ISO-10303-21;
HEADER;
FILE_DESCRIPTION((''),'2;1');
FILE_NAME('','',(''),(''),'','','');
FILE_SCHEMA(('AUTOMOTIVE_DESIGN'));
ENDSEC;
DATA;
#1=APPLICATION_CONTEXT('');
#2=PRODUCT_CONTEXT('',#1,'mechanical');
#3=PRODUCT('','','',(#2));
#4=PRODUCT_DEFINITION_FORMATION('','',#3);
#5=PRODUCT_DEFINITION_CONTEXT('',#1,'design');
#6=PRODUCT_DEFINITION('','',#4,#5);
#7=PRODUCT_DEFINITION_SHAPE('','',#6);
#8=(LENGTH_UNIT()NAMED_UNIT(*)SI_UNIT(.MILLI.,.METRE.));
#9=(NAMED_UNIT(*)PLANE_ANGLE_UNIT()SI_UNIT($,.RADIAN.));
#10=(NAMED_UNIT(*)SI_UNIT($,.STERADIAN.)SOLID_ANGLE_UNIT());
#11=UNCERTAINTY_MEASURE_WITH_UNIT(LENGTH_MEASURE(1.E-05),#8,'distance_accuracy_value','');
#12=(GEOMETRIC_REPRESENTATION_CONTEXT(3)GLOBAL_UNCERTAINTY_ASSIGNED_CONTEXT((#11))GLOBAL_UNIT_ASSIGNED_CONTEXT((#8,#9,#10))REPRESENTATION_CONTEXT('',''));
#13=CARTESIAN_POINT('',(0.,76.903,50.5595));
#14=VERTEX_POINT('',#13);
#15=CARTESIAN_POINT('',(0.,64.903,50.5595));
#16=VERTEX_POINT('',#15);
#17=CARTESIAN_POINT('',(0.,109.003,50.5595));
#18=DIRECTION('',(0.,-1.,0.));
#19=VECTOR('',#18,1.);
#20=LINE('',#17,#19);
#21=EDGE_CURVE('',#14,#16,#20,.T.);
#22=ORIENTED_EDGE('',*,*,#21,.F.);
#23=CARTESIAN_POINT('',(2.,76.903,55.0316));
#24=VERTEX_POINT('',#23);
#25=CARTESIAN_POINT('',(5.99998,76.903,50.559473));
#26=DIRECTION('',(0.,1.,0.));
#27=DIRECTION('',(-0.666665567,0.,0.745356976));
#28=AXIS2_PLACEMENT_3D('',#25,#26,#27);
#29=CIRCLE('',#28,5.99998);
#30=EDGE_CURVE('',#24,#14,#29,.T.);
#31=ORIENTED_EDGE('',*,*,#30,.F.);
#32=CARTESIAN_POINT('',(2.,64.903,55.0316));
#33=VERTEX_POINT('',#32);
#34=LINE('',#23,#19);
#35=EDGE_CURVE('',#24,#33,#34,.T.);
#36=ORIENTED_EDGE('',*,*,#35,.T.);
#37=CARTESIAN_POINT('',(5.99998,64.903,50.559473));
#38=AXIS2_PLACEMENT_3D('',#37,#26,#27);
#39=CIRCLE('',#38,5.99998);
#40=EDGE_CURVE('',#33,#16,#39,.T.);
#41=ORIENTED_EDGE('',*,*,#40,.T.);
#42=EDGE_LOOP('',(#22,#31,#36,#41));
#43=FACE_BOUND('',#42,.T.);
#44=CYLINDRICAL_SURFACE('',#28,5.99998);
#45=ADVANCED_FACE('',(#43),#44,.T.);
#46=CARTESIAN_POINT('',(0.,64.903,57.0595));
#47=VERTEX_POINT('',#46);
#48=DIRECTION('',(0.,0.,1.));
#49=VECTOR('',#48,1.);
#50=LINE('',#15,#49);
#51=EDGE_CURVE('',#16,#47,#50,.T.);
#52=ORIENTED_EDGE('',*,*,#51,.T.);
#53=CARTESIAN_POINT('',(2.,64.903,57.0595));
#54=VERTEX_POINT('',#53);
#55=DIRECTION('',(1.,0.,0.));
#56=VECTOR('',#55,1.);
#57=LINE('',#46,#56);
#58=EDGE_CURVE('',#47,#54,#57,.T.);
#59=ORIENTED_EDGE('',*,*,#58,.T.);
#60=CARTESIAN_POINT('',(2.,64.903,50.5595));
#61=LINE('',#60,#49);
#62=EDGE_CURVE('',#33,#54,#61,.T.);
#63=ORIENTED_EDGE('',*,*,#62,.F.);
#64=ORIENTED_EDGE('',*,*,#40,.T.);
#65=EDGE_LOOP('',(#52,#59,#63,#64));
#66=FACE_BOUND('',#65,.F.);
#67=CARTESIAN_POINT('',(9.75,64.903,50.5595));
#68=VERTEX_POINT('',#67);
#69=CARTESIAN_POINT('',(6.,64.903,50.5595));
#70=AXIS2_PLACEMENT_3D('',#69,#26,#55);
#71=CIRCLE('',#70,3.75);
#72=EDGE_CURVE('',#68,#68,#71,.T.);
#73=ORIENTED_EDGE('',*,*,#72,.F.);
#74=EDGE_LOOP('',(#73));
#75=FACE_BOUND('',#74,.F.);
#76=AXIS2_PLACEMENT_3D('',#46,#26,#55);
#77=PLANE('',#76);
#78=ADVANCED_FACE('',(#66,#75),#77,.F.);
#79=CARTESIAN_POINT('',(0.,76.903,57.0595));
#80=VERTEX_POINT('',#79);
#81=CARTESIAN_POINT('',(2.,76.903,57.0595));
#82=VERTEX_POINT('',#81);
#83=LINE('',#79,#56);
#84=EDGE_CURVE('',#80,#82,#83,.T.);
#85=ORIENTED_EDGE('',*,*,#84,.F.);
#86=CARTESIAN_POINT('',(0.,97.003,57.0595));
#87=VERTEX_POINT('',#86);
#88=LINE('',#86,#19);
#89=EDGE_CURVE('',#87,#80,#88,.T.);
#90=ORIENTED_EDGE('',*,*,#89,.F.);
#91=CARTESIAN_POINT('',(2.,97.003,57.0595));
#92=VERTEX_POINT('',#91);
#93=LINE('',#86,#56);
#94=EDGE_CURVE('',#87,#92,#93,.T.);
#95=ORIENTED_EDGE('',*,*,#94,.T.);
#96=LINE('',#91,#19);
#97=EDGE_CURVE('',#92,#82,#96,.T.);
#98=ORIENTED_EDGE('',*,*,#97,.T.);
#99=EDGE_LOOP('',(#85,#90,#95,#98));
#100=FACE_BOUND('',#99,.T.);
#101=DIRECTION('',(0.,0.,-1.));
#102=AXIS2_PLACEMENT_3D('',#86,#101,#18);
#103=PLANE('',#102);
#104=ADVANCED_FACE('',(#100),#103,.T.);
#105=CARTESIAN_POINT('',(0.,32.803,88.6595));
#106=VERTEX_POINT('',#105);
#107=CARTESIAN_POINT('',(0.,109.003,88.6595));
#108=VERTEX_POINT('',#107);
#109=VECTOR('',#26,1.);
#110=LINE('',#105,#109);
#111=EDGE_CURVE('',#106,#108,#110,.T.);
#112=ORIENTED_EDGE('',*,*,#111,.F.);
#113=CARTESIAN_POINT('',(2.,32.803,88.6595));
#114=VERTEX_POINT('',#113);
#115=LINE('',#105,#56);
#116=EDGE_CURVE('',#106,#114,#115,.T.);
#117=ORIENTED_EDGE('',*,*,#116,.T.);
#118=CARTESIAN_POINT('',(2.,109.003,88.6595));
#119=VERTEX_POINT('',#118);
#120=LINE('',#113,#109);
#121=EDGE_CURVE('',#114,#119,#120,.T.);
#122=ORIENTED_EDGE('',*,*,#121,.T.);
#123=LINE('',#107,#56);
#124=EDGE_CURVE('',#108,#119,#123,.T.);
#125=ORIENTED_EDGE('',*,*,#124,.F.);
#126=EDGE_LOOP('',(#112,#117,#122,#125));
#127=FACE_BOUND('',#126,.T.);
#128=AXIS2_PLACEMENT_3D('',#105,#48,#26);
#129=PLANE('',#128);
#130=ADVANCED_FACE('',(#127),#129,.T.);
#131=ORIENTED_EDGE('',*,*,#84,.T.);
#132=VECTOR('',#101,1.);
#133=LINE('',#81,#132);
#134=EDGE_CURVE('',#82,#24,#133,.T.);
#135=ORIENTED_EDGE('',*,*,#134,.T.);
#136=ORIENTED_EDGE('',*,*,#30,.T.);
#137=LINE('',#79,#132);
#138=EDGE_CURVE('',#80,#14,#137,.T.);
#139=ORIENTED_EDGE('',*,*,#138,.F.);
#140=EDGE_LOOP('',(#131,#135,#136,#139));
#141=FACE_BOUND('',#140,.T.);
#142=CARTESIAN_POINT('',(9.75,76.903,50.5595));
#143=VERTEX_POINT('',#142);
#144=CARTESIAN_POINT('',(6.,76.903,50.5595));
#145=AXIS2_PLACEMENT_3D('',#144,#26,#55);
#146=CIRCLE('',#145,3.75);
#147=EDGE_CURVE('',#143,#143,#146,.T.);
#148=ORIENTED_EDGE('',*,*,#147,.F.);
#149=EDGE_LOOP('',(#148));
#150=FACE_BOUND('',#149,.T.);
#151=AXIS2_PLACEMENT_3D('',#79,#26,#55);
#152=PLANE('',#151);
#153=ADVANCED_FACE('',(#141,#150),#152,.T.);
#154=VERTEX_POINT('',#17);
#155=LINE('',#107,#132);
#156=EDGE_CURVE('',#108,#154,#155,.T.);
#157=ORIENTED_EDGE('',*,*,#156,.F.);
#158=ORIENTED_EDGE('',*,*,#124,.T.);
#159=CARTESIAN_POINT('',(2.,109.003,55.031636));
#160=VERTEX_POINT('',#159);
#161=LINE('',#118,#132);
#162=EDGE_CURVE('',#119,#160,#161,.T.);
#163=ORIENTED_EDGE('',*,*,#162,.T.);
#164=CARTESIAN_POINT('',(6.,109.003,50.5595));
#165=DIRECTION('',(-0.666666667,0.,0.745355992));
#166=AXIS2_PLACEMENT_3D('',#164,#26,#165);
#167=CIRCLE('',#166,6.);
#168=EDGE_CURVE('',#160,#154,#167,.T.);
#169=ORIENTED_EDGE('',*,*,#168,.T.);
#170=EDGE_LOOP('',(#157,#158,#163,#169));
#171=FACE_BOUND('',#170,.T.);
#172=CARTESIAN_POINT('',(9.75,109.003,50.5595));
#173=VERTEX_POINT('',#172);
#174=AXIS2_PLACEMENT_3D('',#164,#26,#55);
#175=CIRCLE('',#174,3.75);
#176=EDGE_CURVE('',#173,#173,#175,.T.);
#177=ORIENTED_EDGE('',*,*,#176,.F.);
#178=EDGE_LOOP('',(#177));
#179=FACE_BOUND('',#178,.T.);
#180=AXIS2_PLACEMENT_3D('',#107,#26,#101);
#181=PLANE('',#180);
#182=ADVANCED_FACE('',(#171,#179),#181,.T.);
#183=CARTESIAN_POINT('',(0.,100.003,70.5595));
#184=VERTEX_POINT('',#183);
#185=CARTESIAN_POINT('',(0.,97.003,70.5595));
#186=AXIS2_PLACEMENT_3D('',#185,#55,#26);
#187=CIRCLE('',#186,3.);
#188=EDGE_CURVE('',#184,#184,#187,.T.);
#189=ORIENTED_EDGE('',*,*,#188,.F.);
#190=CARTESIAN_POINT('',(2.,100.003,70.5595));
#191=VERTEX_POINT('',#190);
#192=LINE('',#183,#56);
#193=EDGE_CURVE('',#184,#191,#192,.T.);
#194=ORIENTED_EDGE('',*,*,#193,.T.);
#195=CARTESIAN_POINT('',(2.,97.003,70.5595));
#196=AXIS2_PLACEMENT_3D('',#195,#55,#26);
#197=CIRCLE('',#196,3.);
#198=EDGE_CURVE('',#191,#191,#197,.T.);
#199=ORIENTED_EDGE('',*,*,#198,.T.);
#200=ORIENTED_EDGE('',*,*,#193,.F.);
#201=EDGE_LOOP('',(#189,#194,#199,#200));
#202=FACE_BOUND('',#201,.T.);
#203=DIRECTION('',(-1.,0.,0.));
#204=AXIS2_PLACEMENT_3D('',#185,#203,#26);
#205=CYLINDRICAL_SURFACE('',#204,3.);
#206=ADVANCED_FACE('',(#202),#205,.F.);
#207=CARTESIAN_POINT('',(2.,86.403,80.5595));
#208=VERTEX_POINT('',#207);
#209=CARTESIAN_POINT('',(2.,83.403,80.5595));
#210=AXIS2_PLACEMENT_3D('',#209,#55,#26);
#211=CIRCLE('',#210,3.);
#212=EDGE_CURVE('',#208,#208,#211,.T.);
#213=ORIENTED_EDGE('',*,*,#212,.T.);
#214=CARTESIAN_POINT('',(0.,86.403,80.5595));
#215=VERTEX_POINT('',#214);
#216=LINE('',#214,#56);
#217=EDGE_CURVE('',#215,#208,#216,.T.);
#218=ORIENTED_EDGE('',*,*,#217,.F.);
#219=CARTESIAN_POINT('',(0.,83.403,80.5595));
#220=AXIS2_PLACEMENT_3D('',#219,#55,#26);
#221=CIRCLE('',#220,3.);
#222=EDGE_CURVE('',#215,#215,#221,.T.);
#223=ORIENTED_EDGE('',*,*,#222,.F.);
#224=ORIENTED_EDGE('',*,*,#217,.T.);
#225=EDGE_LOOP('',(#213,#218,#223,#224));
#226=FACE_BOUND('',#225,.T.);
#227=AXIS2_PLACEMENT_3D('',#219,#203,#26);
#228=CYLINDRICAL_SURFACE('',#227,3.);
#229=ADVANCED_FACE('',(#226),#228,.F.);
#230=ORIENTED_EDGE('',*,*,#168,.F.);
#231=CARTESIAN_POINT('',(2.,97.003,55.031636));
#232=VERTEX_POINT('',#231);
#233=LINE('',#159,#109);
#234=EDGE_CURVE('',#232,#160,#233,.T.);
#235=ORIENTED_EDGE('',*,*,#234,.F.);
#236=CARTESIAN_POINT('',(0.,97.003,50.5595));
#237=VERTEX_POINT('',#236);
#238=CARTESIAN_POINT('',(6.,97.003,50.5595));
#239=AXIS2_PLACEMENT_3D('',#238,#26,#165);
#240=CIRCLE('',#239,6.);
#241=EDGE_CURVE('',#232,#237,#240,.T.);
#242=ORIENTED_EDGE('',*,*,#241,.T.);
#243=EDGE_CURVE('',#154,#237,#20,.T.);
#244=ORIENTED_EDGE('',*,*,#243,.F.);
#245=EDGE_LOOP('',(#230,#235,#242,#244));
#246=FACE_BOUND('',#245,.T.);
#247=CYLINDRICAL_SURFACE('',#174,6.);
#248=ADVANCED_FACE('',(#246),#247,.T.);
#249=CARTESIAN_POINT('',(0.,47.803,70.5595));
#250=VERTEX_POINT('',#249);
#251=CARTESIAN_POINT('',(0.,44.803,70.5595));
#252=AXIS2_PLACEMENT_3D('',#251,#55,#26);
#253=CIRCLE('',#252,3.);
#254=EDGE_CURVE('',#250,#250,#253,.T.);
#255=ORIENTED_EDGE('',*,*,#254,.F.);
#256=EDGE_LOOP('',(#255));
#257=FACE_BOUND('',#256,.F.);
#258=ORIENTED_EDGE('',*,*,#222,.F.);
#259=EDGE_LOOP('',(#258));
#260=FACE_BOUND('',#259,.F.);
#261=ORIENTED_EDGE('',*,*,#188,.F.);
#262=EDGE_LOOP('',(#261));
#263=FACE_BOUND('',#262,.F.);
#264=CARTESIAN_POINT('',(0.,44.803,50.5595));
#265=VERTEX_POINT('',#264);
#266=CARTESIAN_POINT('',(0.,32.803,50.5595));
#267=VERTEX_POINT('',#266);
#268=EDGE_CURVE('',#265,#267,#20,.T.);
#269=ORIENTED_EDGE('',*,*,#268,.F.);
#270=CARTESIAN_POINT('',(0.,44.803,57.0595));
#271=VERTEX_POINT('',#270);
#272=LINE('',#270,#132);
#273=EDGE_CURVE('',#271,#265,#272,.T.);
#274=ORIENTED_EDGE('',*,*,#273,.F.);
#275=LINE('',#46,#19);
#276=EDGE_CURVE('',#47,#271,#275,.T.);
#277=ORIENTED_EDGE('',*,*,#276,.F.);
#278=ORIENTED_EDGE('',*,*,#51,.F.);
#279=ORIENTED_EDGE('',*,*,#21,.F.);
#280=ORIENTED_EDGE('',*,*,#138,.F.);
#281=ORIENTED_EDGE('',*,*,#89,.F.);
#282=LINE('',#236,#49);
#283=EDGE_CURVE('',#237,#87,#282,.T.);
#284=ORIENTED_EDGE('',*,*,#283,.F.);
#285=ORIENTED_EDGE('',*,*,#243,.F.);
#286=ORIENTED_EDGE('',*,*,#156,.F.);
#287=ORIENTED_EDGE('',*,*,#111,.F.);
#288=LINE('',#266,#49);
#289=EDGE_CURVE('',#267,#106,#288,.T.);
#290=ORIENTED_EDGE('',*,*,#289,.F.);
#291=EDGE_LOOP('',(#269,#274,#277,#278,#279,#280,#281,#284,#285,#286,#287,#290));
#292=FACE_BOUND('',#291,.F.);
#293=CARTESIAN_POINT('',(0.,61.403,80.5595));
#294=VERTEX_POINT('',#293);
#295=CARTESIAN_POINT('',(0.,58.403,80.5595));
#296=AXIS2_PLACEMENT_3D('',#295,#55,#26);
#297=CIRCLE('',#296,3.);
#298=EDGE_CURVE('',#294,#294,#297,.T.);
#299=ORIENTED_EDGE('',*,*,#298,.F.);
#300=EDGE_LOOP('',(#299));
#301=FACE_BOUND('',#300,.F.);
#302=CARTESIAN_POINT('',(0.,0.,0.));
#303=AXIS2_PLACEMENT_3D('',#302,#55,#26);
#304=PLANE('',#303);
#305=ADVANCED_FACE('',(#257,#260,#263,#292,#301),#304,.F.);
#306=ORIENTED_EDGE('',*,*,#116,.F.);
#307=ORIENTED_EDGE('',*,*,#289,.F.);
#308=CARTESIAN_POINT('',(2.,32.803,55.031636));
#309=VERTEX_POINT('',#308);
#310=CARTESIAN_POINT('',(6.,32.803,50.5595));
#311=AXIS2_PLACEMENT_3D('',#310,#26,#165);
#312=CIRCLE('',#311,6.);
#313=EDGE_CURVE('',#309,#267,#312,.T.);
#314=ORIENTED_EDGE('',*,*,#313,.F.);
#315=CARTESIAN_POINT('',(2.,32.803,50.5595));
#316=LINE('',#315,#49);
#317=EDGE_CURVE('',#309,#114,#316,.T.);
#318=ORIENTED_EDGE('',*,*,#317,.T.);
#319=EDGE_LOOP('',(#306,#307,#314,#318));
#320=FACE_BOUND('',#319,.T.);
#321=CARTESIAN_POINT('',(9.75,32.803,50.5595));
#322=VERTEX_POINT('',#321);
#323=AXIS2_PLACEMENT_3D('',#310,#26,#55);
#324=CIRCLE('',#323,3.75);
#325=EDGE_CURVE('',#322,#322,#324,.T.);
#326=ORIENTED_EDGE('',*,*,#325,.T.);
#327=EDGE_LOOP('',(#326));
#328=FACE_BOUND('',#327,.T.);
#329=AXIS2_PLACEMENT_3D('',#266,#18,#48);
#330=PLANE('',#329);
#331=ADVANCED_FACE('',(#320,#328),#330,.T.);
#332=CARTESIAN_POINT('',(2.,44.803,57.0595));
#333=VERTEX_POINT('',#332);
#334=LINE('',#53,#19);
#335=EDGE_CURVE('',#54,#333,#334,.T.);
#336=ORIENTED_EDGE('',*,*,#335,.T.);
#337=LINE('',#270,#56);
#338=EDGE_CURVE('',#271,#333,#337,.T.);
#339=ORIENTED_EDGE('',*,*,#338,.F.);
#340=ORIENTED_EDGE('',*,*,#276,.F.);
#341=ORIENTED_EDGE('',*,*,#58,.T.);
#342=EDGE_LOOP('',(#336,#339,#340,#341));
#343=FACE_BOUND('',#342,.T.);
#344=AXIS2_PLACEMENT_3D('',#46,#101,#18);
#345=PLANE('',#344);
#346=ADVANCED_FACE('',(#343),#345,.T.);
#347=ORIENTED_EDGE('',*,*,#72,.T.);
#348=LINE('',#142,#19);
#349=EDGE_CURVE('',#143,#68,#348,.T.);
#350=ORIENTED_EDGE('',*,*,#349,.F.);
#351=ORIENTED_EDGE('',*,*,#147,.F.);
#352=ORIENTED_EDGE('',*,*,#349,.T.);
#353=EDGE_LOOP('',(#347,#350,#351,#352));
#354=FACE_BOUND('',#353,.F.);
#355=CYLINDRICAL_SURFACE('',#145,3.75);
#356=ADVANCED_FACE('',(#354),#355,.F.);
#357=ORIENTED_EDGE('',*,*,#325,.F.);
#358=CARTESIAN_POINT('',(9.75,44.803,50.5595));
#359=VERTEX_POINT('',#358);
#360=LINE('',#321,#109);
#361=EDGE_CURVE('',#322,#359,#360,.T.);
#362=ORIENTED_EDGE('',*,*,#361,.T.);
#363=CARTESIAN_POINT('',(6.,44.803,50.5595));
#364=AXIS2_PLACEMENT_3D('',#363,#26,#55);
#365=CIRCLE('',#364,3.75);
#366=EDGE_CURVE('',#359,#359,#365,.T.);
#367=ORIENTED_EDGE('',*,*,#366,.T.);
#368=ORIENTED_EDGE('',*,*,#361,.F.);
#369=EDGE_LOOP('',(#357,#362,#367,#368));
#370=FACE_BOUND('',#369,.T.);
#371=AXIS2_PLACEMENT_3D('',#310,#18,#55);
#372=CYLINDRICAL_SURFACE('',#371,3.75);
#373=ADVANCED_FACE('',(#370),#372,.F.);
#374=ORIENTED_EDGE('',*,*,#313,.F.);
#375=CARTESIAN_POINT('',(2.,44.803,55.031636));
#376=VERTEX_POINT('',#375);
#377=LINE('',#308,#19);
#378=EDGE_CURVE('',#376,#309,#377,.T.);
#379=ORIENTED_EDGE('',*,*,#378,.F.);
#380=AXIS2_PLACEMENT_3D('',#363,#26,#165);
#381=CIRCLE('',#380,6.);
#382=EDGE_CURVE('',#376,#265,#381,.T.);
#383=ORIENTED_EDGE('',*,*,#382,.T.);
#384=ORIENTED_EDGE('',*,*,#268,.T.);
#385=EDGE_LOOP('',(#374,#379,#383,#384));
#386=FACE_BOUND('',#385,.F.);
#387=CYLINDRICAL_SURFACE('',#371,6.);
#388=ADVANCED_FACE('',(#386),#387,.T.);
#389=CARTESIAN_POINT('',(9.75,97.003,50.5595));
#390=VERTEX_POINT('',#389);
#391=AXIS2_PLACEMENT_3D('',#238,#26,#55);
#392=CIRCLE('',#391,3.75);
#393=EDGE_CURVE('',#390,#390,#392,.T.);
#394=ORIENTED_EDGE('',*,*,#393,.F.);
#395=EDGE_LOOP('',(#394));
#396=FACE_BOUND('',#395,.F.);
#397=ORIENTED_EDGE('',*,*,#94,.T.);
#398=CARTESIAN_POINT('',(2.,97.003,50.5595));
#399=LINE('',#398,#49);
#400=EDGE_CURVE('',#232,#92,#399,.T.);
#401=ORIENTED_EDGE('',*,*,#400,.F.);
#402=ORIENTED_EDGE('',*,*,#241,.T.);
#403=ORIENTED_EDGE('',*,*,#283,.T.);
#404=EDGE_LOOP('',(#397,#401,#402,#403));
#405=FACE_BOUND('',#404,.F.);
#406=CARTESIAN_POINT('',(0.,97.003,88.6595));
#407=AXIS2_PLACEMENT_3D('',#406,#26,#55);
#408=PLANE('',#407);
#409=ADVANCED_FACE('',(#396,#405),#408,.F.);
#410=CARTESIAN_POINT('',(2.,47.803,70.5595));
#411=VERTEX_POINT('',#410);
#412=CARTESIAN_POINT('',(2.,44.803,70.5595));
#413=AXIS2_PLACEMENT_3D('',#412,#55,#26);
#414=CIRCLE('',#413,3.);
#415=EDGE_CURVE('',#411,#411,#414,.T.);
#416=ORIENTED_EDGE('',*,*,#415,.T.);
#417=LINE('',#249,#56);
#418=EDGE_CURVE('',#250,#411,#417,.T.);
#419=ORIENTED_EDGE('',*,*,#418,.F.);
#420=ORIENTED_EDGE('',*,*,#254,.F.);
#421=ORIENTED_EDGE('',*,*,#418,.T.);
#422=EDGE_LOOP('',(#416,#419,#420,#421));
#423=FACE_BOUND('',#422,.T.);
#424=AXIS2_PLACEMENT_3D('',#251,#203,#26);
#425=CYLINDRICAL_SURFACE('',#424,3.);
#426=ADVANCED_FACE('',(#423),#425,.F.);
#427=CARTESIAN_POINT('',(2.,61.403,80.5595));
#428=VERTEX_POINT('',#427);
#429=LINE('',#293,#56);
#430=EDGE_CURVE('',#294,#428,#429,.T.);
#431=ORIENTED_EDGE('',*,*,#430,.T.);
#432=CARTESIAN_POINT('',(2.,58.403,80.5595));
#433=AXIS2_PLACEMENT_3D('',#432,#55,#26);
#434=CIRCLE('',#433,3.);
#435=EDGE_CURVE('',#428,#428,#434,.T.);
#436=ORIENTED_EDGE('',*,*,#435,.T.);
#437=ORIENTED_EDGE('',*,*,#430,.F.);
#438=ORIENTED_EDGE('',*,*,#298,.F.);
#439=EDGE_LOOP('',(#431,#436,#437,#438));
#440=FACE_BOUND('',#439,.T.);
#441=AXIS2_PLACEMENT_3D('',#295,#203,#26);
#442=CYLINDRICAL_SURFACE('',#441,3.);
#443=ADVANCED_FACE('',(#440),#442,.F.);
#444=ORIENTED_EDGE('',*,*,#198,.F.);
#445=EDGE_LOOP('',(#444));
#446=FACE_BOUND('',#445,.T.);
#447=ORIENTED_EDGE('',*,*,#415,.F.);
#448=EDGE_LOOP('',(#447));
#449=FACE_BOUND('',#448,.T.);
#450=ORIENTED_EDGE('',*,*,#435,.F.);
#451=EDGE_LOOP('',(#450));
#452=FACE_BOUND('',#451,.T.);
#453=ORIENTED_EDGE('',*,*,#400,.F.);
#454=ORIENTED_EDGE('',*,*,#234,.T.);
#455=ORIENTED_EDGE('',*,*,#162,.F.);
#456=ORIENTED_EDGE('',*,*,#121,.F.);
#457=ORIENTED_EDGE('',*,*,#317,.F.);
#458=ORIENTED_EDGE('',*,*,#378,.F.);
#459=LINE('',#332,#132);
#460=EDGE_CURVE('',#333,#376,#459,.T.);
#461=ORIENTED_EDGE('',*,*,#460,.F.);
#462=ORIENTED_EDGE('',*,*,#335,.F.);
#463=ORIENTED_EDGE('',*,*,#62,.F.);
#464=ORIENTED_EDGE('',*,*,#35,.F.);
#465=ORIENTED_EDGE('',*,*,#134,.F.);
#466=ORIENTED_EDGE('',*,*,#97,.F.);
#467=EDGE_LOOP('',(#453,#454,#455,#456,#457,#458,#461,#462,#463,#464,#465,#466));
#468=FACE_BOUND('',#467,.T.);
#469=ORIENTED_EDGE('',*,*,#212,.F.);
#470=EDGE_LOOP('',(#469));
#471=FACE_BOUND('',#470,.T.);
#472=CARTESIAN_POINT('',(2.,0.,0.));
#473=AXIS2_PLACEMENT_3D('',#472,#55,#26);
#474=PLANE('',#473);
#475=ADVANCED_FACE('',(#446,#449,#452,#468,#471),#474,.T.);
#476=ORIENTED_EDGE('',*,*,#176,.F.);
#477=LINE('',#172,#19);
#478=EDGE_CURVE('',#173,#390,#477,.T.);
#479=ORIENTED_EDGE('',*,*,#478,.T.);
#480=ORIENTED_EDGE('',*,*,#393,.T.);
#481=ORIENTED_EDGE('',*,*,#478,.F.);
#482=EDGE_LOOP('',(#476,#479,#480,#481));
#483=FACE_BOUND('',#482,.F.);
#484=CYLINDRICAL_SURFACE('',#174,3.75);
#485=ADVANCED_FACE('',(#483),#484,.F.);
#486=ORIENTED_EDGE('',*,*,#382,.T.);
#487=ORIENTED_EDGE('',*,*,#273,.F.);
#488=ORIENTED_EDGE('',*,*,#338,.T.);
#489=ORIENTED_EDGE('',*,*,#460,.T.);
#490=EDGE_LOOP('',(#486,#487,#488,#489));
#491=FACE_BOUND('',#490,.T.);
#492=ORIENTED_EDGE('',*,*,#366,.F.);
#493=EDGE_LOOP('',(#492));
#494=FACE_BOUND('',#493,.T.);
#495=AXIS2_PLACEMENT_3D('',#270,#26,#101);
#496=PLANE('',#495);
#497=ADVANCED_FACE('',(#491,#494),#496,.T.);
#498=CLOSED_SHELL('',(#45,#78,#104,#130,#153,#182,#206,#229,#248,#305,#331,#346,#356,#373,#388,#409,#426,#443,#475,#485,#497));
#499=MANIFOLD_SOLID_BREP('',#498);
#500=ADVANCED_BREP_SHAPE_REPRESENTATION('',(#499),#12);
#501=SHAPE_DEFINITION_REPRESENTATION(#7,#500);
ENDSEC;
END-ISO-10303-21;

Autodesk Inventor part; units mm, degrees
ref_plane "YZ Plane" through (0, 0, 0) normal (1, 0, 0) x (0, 1, 0)
ref_plane "XZ Plane" through (0, 0, 0) normal (0, 1, 0) x (-1, 0, 0)
sketch "Sketch1" plane through (0, 0, 0) normal (1, 0, 0) x (0, 1, 0)
  line L0 (109.003, 50.5595) -> (32.803, 50.5595)
  line L1 (32.803, 50.5595) -> (32.803, 88.6595)
  line L2 (32.803, 88.6595) -> (109.003, 88.6595)
  line L3 (109.003, 88.6595) -> (109.003, 50.5595)
  line L4 (76.903, 50.5595) -> (97.003, 50.5595)
  line L5 (97.003, 50.5595) -> (97.003, 57.0595)
  line L6 (97.003, 57.0595) -> (76.903, 57.0595)
  line L7 (76.903, 57.0595) -> (76.903, 50.5595)
  line L8 (44.803, 50.5595) -> (64.903, 50.5595)
  line L9 (64.903, 50.5595) -> (64.903, 57.0595)
  line L10 (64.903, 57.0595) -> (44.803, 57.0595)
  line L11 (44.803, 57.0595) -> (44.803, 50.5595)
  circle A0 centre (97.003, 70.5595) radius 3
  circle A1 centre (83.403, 80.5595) radius 3
  line L12 (70.903, 88.6595) -> (70.903, 50.5595) construction
  circle A2 centre (44.803, 70.5595) radius 3
  circle A3 centre (58.403, 80.5595) radius 3
  point P0 (0, 0)
  dimension "d0" = 76.2
  dimension "d1" = 38.1
  dimension "d2" = 6.5
  dimension "d4" = 12
  dimension "d5" = 12
  dimension "d6" = 12
  dimension "d7" = 6
  dimension "d8" = 6
  dimension "d9" = 20
  dimension "d10" = 30
  dimension "d11" = 12.5
  dimension "d12" = 26.1
extrude "Extrusion1" add sketch "Sketch1" along normal blind 2 contours L0 L5 L6 L7 L9 L10 L11 L1 L2 L3
ref_plane "Work Plane1" through (2, 70.903, 50.5595) normal (0, 1, 0) x (-1, 0, 0)
sketch "Sketch2" plane through (0, 109.003, 88.6595) normal (0, 1, 0) x (1, 0, 0)
  line L0 (0, 38.1) -> (0, 0) projected
  line L1 (0, 0) -> (2, 0) projected
  line L2 (2, 38.1) -> (2, 0) projected
  line L3 (0, 38.1) -> (2, 38.1) projected
  circle A0 centre (6, 38.1) radius 6
  line L4 (0, 38.1) -> (2, 38.1) projected
  line L5 (0, 38.1) -> (2, 38.1)
  circle A1 centre (6, 38.1) radius 3.75
  point P0 (0, 88.6595)
  point P1 (1.2193, 34.4744)
  point P2 (0, 38.1)
  dimension "d15" = 0
  dimension "d16" = 12
  dimension "d18" = 7.5
  dimension "d23" = 4
extrude "Extrusion2" add sketch "Sketch2" against normal up to surface (12 mm away) contours A0 L2 L3 | L3 L2 A0
mirror "Mirror1" about plane through (2, 70.903, 50.5595) normal (0, 1, 0) of "Extrusion2"
sketch "Sketch3" plane through (0, 76.903, 57.0595) normal (0, 1, 0) x (1, 0, 0)
  line L0 (0, -31.6) -> (2, -31.6) projected
  line L1 (0, 6.5) -> (2, 6.5) projected
  line L2 (0, 6.5) -> (2, 6.5)
  line L3 (0, 6.5) -> (0, -31.6) projected
  line L4 (2, 2.0279) -> (2, -31.6) projected
  arc A0 (2, 2.0279) -> (0, 6.5) centre (6, 6.5) ccw projected
  circle A1 centre (6, 6.5) radius 3.75 projected
  circle A2 centre (6, 6.5) radius 3.75 projected
  line L5 (0, 6.5) -> (0, -31.6) projected
  line L6 (0, -31.6) -> (2, -31.6) projected
  line L7 (2, 2.0279) -> (2, -31.6) projected
  arc A3 (2, 2.0279) -> (0, 6.5) centre (6, 6.5) ccw projected
  line L8 (2, 6.5) -> (2, 0) projected
  point P0 (0, 57.0595)
extrude "Extrusion3" add sketch "Sketch3" against normal up to surface (12 mm away) contours A0 L8 L1
equation "\"d5\" = d4"
equation "\"d6\" = d4"
equation "\"d8\" = d7"
properties part number "zawias-lewy" material "Stainless Steel"
